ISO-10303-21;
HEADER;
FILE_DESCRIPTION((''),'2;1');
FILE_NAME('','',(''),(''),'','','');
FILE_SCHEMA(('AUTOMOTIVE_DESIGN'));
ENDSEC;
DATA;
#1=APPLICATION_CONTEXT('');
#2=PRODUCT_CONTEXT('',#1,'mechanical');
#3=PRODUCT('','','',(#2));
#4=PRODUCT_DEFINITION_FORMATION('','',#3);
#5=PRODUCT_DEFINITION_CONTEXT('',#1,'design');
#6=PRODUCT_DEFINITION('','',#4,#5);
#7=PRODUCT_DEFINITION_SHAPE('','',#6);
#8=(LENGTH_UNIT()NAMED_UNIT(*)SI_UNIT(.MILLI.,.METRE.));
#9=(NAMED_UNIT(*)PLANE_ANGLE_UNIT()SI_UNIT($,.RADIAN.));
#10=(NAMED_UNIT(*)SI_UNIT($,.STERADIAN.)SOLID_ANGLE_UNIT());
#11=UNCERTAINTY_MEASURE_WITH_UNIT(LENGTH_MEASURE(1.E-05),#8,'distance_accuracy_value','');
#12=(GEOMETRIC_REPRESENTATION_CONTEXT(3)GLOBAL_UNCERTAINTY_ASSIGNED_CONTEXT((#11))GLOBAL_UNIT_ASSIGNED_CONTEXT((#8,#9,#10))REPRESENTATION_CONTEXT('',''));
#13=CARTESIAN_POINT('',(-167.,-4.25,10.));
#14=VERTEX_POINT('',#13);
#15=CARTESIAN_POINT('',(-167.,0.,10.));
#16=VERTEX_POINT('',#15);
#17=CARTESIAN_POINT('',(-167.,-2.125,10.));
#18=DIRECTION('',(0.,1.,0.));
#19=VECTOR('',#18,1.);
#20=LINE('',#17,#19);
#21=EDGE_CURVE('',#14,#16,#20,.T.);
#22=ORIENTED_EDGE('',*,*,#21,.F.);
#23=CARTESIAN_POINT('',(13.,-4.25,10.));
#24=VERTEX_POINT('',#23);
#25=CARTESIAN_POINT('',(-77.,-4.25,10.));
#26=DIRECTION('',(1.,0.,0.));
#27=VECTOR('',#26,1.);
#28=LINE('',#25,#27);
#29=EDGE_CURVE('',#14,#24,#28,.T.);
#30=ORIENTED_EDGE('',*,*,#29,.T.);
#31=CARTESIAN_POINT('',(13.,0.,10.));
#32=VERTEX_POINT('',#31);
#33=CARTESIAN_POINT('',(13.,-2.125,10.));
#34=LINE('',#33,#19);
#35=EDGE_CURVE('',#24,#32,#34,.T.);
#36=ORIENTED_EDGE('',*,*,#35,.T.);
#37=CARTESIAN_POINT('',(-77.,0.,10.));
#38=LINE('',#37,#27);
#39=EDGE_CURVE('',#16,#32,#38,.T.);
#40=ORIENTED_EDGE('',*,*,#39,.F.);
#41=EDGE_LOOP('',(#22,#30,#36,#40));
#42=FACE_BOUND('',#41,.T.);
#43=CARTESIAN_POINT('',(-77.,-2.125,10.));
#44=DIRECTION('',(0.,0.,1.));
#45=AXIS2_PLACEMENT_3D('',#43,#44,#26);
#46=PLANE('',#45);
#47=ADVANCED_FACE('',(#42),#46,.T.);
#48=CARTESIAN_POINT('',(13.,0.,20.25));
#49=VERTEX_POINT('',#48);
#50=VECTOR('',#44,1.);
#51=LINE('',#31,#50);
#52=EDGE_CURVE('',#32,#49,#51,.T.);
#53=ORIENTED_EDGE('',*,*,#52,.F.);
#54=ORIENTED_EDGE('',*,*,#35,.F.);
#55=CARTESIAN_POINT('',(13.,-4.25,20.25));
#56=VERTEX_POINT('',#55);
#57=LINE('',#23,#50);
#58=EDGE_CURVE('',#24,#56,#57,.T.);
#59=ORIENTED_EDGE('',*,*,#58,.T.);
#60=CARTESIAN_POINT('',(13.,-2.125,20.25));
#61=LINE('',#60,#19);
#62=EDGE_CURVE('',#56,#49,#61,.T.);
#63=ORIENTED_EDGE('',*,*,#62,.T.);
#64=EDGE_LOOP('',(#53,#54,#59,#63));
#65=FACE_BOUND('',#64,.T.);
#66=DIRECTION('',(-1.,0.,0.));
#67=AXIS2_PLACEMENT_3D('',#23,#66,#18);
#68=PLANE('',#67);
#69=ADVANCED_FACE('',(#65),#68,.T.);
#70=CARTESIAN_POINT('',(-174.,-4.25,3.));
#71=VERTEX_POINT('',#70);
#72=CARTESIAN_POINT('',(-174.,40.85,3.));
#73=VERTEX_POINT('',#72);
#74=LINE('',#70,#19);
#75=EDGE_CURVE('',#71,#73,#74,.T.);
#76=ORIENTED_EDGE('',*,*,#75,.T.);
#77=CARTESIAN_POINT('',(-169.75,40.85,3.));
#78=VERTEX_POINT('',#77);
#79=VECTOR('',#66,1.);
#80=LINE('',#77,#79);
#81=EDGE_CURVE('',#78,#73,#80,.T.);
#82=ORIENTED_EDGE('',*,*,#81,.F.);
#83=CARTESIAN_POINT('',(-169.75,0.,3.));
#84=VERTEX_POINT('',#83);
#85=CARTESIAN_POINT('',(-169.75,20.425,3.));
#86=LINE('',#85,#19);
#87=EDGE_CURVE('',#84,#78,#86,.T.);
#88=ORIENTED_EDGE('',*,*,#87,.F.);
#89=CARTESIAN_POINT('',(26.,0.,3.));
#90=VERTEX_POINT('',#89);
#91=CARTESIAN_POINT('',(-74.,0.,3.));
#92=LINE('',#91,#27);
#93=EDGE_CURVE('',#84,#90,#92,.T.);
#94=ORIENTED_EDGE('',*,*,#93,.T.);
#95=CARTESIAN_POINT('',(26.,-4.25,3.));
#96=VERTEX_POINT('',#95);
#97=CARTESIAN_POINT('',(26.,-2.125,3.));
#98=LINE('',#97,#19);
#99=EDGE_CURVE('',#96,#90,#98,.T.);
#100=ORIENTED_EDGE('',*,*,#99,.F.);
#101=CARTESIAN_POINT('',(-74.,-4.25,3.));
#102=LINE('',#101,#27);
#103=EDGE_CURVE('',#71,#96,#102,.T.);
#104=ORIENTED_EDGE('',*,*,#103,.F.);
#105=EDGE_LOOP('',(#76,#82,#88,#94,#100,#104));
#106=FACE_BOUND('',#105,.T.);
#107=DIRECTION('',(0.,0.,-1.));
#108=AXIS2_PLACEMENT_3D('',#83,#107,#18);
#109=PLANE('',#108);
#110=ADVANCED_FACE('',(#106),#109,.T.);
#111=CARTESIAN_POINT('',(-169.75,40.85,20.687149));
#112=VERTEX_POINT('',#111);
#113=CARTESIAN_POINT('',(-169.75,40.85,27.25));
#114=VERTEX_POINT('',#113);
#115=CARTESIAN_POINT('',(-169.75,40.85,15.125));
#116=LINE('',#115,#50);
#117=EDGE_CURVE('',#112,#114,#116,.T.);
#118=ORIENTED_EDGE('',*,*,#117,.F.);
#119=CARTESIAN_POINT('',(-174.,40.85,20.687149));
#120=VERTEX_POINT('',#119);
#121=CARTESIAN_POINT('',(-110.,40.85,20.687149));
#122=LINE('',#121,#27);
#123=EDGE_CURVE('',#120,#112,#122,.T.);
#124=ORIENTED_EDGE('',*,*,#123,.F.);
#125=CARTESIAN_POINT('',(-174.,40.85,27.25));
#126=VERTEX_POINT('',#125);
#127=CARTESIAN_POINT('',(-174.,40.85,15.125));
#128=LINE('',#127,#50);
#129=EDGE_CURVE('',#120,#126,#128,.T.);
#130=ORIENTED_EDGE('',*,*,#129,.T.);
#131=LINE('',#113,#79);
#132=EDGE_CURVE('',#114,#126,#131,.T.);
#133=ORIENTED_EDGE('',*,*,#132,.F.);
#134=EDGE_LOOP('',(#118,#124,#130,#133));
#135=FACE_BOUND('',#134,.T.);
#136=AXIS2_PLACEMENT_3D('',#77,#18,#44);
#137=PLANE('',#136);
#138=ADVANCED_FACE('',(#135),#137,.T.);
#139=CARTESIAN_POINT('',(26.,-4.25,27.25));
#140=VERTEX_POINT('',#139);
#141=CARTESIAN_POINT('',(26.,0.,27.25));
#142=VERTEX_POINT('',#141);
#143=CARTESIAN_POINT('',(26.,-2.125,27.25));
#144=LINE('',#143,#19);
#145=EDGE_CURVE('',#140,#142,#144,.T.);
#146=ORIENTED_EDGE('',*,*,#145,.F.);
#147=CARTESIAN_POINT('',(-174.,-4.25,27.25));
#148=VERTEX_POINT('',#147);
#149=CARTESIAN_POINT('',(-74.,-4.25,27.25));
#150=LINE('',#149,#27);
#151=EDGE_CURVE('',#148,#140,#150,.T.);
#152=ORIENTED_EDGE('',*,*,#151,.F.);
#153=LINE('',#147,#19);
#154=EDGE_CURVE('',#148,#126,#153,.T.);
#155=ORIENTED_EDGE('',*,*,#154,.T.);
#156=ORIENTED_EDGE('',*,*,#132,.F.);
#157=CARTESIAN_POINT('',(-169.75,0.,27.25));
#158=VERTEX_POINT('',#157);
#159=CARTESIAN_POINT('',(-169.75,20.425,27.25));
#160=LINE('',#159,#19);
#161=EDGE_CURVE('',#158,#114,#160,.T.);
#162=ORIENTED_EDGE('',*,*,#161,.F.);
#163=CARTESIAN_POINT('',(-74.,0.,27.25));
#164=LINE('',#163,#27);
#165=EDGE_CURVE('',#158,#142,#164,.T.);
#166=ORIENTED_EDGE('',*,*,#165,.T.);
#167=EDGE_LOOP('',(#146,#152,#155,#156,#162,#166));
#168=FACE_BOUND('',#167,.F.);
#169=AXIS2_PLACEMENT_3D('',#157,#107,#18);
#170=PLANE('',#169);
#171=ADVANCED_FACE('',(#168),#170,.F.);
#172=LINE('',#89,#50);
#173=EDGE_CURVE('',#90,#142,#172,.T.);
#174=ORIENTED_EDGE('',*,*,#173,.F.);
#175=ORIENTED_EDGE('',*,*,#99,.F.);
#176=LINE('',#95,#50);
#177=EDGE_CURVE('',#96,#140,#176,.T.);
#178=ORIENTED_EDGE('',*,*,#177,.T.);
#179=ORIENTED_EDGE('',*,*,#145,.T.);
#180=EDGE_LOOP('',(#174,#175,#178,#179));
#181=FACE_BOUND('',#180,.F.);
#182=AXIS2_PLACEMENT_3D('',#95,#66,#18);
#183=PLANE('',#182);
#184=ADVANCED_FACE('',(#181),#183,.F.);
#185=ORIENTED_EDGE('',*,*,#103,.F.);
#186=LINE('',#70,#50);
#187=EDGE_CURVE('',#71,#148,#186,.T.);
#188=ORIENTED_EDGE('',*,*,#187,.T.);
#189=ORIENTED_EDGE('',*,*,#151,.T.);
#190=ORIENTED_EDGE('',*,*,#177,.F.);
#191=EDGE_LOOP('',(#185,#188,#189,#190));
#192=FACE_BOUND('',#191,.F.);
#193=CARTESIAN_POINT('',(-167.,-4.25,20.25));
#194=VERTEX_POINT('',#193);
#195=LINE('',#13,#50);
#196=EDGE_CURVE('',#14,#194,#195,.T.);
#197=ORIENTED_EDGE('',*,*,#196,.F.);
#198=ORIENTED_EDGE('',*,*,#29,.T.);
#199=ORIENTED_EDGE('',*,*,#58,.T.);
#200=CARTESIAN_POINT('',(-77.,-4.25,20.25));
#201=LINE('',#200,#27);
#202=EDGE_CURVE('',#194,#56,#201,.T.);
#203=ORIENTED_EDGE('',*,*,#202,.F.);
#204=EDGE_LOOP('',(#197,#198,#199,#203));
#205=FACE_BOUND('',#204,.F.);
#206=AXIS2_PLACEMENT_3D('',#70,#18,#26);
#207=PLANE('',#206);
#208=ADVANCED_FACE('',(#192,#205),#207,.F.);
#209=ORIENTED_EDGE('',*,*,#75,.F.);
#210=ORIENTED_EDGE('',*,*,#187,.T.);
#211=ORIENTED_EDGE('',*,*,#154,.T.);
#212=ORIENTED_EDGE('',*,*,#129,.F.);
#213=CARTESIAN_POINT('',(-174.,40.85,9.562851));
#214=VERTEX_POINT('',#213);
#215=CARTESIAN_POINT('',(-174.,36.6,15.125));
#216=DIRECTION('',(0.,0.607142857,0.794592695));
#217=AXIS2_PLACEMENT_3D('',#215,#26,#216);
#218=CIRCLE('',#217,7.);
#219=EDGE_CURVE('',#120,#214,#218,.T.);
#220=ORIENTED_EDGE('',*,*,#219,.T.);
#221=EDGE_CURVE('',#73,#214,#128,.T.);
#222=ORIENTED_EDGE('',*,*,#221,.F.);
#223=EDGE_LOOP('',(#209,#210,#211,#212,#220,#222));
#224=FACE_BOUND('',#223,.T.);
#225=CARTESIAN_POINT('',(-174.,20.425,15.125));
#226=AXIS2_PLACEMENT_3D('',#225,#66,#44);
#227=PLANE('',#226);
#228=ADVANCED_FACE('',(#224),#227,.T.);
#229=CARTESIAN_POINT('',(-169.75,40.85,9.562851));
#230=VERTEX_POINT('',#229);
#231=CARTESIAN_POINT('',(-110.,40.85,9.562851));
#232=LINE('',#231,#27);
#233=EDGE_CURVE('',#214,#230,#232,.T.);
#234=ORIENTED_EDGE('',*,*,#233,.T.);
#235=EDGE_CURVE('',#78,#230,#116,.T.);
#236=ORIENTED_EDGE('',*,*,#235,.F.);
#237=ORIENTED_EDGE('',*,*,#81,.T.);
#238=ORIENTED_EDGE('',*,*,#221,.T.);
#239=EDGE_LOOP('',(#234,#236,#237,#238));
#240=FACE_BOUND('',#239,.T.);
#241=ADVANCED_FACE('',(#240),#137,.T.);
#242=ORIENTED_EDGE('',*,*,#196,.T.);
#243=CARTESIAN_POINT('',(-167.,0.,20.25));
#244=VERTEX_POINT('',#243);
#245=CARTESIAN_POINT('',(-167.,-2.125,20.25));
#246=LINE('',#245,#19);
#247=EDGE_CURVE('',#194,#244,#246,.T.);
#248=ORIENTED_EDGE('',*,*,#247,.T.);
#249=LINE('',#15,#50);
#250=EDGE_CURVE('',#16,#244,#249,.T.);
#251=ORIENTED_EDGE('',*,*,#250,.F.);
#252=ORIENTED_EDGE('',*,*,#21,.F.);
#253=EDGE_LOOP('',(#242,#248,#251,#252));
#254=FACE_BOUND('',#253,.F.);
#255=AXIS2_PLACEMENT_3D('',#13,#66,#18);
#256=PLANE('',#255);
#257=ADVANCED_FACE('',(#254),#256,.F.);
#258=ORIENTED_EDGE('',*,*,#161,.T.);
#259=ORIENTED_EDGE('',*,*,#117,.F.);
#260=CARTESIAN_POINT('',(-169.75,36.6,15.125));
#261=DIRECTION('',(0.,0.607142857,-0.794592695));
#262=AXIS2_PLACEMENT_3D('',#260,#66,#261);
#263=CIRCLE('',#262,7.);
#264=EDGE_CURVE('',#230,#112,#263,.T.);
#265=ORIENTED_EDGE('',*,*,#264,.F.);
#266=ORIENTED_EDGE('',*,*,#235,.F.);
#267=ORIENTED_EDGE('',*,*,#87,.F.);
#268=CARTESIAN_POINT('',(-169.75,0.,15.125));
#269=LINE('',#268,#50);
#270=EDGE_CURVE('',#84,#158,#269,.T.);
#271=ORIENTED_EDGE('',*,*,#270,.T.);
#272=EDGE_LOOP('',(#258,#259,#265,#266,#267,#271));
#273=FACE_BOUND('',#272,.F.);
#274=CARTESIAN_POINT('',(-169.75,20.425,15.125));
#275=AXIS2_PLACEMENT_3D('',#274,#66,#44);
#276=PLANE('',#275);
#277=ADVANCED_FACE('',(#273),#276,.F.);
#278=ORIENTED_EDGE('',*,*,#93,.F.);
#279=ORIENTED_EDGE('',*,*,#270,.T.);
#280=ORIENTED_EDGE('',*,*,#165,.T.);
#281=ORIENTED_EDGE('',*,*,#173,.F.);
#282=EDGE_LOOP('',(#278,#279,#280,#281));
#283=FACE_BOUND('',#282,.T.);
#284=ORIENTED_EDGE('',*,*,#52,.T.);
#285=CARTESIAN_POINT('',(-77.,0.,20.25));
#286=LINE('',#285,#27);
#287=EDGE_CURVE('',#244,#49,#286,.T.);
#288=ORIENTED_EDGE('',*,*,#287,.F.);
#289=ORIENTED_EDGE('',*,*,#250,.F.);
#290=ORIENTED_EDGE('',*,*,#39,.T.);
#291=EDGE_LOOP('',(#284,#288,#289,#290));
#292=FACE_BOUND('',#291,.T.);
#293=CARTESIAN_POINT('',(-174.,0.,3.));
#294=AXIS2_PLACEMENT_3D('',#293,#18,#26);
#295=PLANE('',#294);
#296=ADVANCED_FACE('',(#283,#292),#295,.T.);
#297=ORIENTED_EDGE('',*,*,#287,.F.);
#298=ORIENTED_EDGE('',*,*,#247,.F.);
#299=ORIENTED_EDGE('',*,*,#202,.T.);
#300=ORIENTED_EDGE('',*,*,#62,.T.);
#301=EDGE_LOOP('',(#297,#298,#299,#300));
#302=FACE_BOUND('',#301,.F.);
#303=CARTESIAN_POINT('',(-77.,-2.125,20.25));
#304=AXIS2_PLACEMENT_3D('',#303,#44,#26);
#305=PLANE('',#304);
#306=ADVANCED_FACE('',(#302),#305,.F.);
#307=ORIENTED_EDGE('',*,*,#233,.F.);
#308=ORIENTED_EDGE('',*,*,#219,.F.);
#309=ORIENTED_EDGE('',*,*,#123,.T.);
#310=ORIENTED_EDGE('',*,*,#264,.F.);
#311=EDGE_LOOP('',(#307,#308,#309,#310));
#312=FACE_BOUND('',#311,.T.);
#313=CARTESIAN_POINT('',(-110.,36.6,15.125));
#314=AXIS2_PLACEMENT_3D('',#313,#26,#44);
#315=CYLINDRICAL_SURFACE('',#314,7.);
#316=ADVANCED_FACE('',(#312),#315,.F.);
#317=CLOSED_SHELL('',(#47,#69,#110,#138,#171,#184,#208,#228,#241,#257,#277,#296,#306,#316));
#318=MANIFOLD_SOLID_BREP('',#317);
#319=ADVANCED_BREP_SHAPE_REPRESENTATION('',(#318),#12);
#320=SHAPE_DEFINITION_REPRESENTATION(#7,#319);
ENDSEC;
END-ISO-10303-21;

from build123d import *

# Parameters (mm, degrees)
CYLINDER026_R     = 7
CYLINDER026_DEPTH = 64
BOX019_W          = 24.25
BOX019_H          = 40.85
BOX019_DEPTH      = 4.25
BOX026_W          = 180
BOX026_H          = 4.25
BOX026_DEPTH      = 10.25
BOX017_W          = 200
BOX017_H          = 4.25
BOX017_DEPTH      = 24.25


with BuildPart() as syringe2_cylinder001:
    # Cylinder026 → Cylinder026 (new body)
    with BuildSketch(Plane(origin=(-110, 36.6, 15.125), x_dir=(0, 0, 1), z_dir=(-1, 0, 0))):
        Circle(CYLINDER026_R)
    extrude(amount=CYLINDER026_DEPTH)


with BuildPart() as cube002:
    # Box019 → Box019 (new body)
    with BuildSketch(Plane(origin=(-169.75, 0, 3), x_dir=(0, 0, 1), z_dir=(-1, 0, 0))):
        with Locations((12.125, 20.425)):
            Rectangle(BOX019_W, BOX019_H)
    extrude(amount=BOX019_DEPTH)


with BuildPart() as cube003:
    # Box026 → Box026 (new body)
    with BuildSketch(Plane(origin=(-167, -4.25, 10), x_dir=(1, 0, 0), z_dir=(0, 0, 1))):
        with Locations((90, 2.125)):
            Rectangle(BOX026_W, BOX026_H)
    extrude(amount=BOX026_DEPTH)


with BuildPart() as cut006:
    # Box017 → Box017 (new body)
    with BuildSketch(Plane(origin=(-174, -4.25, 3), x_dir=(1, 0, 0), z_dir=(0, 0, 1))):
        with Locations((100, 2.125)):
            Rectangle(BOX017_W, BOX017_H)
    extrude(amount=BOX017_DEPTH)

    # Cut: cut Cube003
    add(cube003.part, mode=Mode.SUBTRACT)

    # Fusion: union Cube002
    add(cube002.part)

    # Cut006: cut syringe2_cylinder001
    add(syringe2_cylinder001.part, mode=Mode.SUBTRACT)


solid = cut006.part
